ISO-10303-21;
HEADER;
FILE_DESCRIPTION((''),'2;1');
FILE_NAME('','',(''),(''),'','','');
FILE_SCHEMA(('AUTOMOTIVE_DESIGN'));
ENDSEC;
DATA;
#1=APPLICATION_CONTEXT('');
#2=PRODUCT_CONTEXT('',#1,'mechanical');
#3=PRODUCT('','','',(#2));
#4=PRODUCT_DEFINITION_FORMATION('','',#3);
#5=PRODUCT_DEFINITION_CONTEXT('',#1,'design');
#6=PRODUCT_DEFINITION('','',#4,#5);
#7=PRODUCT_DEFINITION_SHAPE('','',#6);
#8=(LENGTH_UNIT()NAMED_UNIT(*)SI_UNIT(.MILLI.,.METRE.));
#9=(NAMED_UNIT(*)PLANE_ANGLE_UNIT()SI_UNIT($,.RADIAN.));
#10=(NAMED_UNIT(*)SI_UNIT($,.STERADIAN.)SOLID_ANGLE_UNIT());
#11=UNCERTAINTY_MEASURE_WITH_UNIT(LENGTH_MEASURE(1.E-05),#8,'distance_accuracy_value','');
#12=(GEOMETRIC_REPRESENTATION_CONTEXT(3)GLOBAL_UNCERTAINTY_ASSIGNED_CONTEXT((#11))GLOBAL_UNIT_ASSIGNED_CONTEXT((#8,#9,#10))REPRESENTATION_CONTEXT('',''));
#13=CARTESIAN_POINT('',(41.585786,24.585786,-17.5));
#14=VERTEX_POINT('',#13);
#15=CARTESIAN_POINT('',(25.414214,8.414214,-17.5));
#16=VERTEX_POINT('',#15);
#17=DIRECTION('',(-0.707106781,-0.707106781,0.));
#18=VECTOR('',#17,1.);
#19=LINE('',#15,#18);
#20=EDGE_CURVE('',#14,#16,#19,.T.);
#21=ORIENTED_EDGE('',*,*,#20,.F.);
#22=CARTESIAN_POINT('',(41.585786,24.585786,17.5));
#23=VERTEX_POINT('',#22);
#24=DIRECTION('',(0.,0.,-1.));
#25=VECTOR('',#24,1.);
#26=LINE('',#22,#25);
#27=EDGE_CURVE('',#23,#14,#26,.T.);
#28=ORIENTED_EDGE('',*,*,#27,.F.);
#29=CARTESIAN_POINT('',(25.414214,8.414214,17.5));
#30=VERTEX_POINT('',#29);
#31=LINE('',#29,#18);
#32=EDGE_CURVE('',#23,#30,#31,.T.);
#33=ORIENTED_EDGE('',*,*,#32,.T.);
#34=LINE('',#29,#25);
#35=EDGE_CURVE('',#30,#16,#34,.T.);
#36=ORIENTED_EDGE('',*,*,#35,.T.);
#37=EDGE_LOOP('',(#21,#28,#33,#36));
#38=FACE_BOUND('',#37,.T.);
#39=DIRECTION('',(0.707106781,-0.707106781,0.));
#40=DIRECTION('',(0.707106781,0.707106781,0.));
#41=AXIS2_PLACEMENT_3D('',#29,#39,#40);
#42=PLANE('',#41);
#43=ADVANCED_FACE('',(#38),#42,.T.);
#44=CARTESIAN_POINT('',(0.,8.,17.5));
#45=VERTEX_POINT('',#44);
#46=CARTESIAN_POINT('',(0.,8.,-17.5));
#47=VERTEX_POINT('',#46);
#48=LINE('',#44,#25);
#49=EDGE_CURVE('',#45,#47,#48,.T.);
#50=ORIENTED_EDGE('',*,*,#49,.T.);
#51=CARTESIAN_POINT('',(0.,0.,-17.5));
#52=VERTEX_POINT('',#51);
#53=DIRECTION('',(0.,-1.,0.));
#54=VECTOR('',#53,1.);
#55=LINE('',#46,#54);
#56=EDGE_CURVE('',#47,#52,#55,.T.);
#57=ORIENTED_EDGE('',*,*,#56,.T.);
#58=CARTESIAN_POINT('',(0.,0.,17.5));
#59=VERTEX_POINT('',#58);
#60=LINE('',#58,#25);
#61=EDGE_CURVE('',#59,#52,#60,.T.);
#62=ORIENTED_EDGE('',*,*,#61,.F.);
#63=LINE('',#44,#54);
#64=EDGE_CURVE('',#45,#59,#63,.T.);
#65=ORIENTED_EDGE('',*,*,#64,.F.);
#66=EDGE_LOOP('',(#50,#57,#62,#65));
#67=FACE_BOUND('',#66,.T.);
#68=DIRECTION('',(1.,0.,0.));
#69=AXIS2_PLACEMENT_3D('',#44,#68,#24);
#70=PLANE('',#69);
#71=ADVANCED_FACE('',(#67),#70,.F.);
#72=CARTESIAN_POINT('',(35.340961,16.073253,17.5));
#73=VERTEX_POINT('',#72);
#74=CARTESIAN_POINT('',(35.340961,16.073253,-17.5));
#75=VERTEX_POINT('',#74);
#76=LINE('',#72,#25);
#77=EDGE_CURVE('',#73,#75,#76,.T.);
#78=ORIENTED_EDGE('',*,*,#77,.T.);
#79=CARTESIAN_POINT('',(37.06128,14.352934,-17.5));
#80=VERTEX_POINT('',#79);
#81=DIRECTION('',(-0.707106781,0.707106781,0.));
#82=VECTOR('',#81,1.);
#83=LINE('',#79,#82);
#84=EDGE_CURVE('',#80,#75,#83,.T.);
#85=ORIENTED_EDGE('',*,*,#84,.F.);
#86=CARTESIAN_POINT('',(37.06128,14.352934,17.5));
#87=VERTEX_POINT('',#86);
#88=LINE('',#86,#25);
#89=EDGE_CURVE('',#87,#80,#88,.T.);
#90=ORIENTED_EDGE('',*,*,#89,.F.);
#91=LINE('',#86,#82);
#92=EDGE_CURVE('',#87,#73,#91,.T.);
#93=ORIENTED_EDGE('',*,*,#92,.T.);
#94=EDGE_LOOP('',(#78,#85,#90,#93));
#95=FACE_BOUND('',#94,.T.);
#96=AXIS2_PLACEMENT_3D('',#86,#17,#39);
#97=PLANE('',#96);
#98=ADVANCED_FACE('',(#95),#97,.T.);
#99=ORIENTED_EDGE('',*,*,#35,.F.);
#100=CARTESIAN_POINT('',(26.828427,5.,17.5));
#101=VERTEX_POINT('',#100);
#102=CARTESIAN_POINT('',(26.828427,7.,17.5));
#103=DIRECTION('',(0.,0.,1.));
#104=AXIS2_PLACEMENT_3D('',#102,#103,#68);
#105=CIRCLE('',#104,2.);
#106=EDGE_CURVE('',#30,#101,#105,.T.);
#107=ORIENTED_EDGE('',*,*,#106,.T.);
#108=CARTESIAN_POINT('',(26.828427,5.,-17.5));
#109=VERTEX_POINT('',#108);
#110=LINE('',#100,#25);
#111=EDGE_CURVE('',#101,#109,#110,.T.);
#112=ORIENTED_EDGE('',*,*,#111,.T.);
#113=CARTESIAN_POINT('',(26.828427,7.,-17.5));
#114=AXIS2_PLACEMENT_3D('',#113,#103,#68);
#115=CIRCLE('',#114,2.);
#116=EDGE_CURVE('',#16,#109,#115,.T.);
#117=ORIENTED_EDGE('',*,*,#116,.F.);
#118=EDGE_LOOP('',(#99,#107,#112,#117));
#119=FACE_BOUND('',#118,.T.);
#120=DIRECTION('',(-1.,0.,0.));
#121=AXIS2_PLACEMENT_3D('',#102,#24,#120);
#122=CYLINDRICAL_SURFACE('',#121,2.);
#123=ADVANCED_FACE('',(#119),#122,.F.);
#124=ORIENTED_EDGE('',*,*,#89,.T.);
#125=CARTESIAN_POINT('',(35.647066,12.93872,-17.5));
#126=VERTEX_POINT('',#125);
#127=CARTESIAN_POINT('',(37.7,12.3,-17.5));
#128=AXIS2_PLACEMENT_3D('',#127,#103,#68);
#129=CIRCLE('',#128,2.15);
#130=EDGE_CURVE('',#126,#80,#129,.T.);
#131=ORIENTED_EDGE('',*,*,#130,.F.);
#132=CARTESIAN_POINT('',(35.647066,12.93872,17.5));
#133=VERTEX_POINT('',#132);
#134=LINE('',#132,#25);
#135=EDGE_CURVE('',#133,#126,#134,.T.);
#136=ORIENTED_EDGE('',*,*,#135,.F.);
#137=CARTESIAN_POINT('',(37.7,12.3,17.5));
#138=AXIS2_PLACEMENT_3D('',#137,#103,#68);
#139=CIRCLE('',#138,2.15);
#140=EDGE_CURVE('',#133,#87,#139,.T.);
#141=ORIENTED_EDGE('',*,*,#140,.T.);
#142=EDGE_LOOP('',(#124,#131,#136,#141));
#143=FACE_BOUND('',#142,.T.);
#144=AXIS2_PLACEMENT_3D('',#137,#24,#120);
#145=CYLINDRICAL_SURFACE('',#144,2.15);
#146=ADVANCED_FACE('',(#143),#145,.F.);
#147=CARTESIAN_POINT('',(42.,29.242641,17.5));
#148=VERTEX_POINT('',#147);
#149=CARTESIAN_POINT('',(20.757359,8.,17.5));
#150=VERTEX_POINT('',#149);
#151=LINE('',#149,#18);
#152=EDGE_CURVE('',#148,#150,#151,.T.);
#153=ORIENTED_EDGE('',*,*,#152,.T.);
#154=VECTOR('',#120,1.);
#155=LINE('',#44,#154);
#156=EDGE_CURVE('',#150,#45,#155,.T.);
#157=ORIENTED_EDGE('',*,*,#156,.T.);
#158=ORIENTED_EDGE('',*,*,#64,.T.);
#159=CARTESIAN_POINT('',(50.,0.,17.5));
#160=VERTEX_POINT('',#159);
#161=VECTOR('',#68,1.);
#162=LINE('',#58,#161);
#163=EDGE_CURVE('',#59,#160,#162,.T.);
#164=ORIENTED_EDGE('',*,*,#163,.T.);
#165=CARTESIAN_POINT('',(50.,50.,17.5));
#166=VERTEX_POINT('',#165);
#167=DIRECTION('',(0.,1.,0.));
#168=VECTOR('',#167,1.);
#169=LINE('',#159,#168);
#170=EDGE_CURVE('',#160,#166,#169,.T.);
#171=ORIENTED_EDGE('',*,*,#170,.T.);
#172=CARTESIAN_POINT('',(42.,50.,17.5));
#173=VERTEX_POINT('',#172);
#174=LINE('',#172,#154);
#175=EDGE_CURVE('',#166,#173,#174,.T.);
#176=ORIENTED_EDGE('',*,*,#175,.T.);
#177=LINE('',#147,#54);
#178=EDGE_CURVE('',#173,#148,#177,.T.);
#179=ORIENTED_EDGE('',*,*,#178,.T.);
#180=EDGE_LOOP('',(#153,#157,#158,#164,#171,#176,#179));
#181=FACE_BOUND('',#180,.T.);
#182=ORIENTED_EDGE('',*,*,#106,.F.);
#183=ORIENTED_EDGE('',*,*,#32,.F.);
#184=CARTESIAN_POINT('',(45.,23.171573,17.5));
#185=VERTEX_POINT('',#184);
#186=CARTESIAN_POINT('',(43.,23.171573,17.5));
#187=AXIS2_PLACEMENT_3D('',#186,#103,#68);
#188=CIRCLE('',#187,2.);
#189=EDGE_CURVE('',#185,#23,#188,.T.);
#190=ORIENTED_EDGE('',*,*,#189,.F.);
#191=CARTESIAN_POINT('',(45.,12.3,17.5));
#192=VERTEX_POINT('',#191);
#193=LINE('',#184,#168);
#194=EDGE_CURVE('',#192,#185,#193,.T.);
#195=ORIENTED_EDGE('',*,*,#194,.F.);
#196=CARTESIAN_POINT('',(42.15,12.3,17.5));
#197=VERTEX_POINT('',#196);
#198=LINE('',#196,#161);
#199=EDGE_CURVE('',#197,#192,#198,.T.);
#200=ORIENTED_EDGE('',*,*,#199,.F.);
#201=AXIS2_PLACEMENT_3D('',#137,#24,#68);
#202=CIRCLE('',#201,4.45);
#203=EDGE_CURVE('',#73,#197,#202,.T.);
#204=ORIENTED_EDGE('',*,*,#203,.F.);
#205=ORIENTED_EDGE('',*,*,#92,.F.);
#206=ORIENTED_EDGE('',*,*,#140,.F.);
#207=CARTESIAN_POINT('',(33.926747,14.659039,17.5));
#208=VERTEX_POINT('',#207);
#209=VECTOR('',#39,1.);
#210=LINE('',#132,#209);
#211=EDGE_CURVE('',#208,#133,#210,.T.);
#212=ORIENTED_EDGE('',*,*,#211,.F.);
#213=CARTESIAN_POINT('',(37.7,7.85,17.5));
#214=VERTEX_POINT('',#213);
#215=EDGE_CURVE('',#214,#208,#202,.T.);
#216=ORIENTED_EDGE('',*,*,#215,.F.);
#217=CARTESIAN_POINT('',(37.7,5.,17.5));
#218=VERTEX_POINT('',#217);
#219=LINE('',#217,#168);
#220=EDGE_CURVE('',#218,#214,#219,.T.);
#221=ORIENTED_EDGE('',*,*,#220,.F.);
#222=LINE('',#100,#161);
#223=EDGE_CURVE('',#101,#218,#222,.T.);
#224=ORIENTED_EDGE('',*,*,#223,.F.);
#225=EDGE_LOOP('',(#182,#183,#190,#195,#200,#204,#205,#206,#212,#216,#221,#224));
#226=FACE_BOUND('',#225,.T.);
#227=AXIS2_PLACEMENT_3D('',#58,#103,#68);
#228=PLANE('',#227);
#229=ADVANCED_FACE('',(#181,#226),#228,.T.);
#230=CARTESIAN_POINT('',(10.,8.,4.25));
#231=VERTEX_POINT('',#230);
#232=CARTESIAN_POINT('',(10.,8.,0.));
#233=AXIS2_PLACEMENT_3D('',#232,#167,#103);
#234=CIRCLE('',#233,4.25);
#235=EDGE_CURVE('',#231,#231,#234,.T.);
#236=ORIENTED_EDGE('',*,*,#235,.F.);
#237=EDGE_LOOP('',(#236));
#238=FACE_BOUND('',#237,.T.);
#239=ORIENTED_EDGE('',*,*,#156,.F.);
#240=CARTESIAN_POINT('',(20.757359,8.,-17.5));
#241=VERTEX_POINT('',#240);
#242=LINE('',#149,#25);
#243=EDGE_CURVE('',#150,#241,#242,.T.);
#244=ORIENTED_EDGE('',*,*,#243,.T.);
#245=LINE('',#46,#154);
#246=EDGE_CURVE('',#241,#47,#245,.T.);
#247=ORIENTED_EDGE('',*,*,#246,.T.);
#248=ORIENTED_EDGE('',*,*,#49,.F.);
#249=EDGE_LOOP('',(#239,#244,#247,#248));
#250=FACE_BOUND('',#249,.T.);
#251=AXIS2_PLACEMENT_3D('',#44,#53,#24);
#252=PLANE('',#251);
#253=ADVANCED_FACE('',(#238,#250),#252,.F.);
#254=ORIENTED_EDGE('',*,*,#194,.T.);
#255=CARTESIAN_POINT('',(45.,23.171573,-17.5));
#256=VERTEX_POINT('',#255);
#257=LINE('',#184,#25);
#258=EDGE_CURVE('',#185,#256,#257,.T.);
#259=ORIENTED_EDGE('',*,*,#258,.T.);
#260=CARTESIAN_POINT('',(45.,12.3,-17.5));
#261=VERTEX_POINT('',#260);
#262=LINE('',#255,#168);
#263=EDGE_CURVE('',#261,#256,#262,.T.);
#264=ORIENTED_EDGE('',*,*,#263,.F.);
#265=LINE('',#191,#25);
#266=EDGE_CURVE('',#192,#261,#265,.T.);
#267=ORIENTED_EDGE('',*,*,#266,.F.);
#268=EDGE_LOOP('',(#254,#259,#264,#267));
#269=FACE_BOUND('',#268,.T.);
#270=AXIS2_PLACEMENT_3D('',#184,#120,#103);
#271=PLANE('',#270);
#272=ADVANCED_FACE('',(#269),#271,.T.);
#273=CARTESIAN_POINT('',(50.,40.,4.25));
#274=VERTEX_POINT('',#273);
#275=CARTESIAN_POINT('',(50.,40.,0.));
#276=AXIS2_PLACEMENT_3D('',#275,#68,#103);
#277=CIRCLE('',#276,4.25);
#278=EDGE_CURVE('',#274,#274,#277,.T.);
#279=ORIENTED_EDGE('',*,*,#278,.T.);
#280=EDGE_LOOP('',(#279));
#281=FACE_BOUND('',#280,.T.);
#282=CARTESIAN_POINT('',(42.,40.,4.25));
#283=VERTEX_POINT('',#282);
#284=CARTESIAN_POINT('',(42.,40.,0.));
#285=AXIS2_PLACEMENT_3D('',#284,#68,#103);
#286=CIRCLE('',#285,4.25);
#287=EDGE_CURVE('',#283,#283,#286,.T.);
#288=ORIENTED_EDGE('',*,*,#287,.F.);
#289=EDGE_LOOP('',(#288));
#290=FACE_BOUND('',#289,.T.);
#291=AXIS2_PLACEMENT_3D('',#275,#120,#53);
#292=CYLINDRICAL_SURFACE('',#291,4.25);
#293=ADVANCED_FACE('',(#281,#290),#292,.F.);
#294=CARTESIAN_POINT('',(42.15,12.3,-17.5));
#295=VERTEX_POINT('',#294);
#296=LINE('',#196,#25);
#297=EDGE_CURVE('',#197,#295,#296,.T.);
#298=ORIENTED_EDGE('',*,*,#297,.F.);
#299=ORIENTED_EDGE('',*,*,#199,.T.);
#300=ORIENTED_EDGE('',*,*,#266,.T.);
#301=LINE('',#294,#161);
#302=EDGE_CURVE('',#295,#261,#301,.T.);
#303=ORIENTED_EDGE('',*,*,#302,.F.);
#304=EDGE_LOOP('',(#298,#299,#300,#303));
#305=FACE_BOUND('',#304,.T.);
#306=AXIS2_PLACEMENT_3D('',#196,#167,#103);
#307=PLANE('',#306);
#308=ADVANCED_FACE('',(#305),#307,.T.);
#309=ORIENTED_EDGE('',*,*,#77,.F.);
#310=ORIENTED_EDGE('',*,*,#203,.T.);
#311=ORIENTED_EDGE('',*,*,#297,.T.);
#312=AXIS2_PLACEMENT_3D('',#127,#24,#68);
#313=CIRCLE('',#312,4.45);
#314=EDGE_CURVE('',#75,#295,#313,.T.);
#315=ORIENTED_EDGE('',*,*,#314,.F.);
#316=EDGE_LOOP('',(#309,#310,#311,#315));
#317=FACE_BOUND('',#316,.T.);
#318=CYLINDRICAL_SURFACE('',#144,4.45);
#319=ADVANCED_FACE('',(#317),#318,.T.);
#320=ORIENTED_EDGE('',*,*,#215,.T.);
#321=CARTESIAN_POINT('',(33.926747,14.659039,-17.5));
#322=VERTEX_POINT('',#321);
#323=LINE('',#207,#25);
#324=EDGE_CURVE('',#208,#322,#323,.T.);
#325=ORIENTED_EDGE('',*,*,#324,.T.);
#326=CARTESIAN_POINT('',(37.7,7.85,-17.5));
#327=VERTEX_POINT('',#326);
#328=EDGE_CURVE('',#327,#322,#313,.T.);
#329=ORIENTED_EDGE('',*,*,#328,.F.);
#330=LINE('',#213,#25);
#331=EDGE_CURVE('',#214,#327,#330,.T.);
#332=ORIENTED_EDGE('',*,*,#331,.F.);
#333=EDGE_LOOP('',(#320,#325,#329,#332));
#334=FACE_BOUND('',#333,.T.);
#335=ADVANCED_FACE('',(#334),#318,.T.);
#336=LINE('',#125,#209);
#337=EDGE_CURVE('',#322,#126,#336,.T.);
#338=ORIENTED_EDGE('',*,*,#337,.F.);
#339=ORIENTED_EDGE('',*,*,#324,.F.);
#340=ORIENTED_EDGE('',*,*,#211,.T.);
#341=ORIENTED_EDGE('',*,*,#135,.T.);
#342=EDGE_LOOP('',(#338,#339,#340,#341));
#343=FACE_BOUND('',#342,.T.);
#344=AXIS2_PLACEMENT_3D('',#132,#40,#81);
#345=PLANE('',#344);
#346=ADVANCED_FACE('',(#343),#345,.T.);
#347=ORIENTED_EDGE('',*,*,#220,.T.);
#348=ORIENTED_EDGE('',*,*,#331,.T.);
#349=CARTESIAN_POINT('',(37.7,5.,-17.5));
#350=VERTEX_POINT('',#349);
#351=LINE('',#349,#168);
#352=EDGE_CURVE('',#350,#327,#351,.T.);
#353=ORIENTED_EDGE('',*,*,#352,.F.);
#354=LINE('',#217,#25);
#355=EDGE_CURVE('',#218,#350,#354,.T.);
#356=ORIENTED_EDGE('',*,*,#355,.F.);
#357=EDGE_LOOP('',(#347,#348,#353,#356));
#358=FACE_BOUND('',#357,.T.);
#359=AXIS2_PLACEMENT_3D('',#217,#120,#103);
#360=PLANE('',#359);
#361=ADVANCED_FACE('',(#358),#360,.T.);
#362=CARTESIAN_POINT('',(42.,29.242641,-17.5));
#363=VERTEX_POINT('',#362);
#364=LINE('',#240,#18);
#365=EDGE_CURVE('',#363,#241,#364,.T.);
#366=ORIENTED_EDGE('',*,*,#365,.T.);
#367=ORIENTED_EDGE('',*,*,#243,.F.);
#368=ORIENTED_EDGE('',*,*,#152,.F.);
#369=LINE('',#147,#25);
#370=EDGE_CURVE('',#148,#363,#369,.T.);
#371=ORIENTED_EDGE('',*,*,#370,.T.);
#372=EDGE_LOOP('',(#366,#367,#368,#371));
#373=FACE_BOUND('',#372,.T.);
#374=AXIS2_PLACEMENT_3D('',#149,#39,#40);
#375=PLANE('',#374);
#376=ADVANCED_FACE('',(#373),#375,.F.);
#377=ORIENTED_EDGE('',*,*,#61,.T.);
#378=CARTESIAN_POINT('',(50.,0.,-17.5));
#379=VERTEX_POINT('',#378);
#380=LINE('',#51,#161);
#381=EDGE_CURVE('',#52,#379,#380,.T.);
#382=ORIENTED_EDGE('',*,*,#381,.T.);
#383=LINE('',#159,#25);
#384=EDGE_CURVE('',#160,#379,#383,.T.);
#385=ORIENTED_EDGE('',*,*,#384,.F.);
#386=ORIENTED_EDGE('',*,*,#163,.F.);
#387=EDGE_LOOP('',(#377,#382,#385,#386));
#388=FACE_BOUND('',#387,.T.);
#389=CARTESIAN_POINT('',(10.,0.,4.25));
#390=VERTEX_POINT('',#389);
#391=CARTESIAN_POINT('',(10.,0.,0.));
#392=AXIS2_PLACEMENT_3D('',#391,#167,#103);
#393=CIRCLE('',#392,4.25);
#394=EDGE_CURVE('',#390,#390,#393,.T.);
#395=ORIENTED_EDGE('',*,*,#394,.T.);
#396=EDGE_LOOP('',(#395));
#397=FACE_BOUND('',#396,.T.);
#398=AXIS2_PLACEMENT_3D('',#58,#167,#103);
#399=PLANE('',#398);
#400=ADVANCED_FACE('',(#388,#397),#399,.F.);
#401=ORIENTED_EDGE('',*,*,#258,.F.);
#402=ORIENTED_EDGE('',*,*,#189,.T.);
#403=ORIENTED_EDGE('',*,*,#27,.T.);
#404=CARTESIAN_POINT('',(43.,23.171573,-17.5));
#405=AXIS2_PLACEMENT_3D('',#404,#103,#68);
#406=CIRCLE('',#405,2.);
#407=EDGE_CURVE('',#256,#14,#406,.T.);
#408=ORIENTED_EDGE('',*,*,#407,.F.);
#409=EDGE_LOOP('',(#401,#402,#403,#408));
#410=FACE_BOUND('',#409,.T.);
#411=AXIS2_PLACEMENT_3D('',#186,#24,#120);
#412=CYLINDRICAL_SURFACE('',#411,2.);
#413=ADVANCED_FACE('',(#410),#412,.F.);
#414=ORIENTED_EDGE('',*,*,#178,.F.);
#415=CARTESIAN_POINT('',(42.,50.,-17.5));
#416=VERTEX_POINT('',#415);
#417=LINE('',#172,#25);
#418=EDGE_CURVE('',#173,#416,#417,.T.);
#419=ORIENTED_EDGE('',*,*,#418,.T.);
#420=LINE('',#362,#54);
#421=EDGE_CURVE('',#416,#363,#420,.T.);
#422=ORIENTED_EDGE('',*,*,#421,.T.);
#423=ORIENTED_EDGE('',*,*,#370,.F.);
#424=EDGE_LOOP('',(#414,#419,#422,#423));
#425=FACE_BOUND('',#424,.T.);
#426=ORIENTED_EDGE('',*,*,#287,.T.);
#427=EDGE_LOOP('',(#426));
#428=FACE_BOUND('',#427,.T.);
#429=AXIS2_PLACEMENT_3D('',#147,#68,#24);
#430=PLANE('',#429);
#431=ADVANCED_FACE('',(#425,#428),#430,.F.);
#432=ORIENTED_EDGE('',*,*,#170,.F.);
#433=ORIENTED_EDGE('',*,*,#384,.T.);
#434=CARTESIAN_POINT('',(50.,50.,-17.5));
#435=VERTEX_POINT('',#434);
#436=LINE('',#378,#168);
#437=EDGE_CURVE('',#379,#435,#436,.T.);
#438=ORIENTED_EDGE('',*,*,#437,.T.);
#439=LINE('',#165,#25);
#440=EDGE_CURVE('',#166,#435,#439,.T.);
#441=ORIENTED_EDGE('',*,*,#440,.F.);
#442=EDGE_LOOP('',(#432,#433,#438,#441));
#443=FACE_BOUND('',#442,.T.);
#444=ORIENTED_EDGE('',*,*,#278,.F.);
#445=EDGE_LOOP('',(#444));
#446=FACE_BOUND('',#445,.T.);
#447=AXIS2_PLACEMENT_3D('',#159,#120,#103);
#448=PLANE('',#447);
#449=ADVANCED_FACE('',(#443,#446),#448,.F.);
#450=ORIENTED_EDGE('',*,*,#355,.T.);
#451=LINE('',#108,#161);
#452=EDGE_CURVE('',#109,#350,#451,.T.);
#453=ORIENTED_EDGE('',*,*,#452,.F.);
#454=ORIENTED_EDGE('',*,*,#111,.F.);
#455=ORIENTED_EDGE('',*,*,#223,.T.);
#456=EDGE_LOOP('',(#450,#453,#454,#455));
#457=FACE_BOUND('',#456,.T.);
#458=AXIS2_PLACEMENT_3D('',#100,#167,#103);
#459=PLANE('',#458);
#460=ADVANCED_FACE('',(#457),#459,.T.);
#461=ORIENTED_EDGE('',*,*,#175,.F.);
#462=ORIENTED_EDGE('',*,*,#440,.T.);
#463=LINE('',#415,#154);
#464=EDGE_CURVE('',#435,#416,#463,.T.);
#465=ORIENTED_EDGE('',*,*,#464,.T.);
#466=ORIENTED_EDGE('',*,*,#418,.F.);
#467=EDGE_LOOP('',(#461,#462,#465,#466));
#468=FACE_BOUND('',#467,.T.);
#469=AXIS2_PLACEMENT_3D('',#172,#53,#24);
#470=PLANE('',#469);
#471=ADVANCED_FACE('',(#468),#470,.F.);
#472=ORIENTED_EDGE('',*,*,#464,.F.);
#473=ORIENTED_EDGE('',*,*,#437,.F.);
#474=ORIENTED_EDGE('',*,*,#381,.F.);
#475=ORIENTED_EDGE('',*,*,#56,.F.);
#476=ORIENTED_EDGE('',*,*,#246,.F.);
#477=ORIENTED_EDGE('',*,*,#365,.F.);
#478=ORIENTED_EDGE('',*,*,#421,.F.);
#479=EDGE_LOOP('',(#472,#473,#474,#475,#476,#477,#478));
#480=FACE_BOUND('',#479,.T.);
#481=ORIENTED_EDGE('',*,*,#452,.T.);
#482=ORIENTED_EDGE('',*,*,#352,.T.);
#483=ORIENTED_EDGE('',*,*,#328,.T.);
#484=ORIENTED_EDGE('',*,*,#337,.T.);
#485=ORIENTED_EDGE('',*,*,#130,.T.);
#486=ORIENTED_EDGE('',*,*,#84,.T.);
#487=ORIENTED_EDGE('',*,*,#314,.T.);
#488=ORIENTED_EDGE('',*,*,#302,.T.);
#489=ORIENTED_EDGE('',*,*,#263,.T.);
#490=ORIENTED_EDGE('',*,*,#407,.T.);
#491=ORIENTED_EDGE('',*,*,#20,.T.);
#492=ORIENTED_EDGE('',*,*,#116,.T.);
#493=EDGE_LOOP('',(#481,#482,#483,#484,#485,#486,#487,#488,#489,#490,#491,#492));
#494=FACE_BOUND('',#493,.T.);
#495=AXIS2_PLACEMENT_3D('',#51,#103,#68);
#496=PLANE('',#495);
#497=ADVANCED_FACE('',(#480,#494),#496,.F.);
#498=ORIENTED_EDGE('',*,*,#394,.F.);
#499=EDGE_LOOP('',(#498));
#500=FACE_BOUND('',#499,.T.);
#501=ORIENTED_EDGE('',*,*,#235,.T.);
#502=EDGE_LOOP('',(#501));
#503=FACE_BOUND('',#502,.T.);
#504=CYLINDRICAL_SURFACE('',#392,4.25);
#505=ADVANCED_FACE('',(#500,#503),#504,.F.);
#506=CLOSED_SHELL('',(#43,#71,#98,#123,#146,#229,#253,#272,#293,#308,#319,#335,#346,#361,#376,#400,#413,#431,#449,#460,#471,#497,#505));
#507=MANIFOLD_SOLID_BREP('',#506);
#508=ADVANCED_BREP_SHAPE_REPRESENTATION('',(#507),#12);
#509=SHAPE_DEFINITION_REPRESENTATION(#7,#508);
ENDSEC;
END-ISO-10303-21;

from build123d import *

# Parameters (mm, degrees)
EXTRUDE_1_DEPTH     = 17.5
SKETCH_3_R          = 4.25
CUT_EXTRUDE_1_DEPTH = 68.603624163


with BuildPart() as part:
    # 草图1 → 凸台-拉伸1 (new, symmetric)
    with BuildSketch(Plane.XY):
        Polygon((0, 0), (50, 0), (50, 50), (42, 50), (42, 29.242640687), (20.757359313, 8), (0, 8), align=None)
        with BuildLine():
            Line((37.061279898, 14.352933665), (35.340960992, 16.07325257))
            ThreePointArc((35.340960992, 16.07325257), (39.856939547, 16.192314452), (42.15, 12.3))
            Line((42.15, 12.3), (45, 12.3))
            Line((45, 12.3), (45, 23.171572875))
            ThreePointArc((45, 23.171572875), (43.765366865, 25.01933194), (41.585786438, 24.585786438))
            Line((41.585786438, 24.585786438), (25.414213562, 8.414213562))
            ThreePointArc((25.414213562, 8.414213562), (24.98066806, 6.234633135), (26.828427125, 5))
            Line((26.828427125, 5), (37.7, 5))
            Line((37.7, 5), (37.7, 7.85))
            ThreePointArc((37.7, 7.85), (33.807685548, 10.143060453), (33.92674743, 14.659039008))
            Line((33.92674743, 14.659039008), (35.647066335, 12.938720102))
            ThreePointArc((35.647066335, 12.938720102), (39.22027958, 10.77972042), (37.061279898, 14.352933665))
        make_face(mode=Mode.SUBTRACT)
    extrude(amount=EXTRUDE_1_DEPTH, both=True)

    # 草图3 → 切除-拉伸1 (cut, through all)
    with BuildSketch(Plane(origin=(0, 8, 0), x_dir=(1, 0, 0), z_dir=(0, 1, 0))):
        with Locations(Location((10, 0, 0), (0, 0, 270))):
            Circle(SKETCH_3_R)
    cut_extrude_1 = extrude(amount=-CUT_EXTRUDE_1_DEPTH, mode=Mode.SUBTRACT)

    # 镜向1: 切除-拉伸1 across plane
    add(cut_extrude_1.mirror(Plane(origin=(25, 25, 0), x_dir=(0, 0, 1), z_dir=(0.7071067811865488, 0.7071067811865464, 0))), mode=Mode.SUBTRACT)


solid = part.part
